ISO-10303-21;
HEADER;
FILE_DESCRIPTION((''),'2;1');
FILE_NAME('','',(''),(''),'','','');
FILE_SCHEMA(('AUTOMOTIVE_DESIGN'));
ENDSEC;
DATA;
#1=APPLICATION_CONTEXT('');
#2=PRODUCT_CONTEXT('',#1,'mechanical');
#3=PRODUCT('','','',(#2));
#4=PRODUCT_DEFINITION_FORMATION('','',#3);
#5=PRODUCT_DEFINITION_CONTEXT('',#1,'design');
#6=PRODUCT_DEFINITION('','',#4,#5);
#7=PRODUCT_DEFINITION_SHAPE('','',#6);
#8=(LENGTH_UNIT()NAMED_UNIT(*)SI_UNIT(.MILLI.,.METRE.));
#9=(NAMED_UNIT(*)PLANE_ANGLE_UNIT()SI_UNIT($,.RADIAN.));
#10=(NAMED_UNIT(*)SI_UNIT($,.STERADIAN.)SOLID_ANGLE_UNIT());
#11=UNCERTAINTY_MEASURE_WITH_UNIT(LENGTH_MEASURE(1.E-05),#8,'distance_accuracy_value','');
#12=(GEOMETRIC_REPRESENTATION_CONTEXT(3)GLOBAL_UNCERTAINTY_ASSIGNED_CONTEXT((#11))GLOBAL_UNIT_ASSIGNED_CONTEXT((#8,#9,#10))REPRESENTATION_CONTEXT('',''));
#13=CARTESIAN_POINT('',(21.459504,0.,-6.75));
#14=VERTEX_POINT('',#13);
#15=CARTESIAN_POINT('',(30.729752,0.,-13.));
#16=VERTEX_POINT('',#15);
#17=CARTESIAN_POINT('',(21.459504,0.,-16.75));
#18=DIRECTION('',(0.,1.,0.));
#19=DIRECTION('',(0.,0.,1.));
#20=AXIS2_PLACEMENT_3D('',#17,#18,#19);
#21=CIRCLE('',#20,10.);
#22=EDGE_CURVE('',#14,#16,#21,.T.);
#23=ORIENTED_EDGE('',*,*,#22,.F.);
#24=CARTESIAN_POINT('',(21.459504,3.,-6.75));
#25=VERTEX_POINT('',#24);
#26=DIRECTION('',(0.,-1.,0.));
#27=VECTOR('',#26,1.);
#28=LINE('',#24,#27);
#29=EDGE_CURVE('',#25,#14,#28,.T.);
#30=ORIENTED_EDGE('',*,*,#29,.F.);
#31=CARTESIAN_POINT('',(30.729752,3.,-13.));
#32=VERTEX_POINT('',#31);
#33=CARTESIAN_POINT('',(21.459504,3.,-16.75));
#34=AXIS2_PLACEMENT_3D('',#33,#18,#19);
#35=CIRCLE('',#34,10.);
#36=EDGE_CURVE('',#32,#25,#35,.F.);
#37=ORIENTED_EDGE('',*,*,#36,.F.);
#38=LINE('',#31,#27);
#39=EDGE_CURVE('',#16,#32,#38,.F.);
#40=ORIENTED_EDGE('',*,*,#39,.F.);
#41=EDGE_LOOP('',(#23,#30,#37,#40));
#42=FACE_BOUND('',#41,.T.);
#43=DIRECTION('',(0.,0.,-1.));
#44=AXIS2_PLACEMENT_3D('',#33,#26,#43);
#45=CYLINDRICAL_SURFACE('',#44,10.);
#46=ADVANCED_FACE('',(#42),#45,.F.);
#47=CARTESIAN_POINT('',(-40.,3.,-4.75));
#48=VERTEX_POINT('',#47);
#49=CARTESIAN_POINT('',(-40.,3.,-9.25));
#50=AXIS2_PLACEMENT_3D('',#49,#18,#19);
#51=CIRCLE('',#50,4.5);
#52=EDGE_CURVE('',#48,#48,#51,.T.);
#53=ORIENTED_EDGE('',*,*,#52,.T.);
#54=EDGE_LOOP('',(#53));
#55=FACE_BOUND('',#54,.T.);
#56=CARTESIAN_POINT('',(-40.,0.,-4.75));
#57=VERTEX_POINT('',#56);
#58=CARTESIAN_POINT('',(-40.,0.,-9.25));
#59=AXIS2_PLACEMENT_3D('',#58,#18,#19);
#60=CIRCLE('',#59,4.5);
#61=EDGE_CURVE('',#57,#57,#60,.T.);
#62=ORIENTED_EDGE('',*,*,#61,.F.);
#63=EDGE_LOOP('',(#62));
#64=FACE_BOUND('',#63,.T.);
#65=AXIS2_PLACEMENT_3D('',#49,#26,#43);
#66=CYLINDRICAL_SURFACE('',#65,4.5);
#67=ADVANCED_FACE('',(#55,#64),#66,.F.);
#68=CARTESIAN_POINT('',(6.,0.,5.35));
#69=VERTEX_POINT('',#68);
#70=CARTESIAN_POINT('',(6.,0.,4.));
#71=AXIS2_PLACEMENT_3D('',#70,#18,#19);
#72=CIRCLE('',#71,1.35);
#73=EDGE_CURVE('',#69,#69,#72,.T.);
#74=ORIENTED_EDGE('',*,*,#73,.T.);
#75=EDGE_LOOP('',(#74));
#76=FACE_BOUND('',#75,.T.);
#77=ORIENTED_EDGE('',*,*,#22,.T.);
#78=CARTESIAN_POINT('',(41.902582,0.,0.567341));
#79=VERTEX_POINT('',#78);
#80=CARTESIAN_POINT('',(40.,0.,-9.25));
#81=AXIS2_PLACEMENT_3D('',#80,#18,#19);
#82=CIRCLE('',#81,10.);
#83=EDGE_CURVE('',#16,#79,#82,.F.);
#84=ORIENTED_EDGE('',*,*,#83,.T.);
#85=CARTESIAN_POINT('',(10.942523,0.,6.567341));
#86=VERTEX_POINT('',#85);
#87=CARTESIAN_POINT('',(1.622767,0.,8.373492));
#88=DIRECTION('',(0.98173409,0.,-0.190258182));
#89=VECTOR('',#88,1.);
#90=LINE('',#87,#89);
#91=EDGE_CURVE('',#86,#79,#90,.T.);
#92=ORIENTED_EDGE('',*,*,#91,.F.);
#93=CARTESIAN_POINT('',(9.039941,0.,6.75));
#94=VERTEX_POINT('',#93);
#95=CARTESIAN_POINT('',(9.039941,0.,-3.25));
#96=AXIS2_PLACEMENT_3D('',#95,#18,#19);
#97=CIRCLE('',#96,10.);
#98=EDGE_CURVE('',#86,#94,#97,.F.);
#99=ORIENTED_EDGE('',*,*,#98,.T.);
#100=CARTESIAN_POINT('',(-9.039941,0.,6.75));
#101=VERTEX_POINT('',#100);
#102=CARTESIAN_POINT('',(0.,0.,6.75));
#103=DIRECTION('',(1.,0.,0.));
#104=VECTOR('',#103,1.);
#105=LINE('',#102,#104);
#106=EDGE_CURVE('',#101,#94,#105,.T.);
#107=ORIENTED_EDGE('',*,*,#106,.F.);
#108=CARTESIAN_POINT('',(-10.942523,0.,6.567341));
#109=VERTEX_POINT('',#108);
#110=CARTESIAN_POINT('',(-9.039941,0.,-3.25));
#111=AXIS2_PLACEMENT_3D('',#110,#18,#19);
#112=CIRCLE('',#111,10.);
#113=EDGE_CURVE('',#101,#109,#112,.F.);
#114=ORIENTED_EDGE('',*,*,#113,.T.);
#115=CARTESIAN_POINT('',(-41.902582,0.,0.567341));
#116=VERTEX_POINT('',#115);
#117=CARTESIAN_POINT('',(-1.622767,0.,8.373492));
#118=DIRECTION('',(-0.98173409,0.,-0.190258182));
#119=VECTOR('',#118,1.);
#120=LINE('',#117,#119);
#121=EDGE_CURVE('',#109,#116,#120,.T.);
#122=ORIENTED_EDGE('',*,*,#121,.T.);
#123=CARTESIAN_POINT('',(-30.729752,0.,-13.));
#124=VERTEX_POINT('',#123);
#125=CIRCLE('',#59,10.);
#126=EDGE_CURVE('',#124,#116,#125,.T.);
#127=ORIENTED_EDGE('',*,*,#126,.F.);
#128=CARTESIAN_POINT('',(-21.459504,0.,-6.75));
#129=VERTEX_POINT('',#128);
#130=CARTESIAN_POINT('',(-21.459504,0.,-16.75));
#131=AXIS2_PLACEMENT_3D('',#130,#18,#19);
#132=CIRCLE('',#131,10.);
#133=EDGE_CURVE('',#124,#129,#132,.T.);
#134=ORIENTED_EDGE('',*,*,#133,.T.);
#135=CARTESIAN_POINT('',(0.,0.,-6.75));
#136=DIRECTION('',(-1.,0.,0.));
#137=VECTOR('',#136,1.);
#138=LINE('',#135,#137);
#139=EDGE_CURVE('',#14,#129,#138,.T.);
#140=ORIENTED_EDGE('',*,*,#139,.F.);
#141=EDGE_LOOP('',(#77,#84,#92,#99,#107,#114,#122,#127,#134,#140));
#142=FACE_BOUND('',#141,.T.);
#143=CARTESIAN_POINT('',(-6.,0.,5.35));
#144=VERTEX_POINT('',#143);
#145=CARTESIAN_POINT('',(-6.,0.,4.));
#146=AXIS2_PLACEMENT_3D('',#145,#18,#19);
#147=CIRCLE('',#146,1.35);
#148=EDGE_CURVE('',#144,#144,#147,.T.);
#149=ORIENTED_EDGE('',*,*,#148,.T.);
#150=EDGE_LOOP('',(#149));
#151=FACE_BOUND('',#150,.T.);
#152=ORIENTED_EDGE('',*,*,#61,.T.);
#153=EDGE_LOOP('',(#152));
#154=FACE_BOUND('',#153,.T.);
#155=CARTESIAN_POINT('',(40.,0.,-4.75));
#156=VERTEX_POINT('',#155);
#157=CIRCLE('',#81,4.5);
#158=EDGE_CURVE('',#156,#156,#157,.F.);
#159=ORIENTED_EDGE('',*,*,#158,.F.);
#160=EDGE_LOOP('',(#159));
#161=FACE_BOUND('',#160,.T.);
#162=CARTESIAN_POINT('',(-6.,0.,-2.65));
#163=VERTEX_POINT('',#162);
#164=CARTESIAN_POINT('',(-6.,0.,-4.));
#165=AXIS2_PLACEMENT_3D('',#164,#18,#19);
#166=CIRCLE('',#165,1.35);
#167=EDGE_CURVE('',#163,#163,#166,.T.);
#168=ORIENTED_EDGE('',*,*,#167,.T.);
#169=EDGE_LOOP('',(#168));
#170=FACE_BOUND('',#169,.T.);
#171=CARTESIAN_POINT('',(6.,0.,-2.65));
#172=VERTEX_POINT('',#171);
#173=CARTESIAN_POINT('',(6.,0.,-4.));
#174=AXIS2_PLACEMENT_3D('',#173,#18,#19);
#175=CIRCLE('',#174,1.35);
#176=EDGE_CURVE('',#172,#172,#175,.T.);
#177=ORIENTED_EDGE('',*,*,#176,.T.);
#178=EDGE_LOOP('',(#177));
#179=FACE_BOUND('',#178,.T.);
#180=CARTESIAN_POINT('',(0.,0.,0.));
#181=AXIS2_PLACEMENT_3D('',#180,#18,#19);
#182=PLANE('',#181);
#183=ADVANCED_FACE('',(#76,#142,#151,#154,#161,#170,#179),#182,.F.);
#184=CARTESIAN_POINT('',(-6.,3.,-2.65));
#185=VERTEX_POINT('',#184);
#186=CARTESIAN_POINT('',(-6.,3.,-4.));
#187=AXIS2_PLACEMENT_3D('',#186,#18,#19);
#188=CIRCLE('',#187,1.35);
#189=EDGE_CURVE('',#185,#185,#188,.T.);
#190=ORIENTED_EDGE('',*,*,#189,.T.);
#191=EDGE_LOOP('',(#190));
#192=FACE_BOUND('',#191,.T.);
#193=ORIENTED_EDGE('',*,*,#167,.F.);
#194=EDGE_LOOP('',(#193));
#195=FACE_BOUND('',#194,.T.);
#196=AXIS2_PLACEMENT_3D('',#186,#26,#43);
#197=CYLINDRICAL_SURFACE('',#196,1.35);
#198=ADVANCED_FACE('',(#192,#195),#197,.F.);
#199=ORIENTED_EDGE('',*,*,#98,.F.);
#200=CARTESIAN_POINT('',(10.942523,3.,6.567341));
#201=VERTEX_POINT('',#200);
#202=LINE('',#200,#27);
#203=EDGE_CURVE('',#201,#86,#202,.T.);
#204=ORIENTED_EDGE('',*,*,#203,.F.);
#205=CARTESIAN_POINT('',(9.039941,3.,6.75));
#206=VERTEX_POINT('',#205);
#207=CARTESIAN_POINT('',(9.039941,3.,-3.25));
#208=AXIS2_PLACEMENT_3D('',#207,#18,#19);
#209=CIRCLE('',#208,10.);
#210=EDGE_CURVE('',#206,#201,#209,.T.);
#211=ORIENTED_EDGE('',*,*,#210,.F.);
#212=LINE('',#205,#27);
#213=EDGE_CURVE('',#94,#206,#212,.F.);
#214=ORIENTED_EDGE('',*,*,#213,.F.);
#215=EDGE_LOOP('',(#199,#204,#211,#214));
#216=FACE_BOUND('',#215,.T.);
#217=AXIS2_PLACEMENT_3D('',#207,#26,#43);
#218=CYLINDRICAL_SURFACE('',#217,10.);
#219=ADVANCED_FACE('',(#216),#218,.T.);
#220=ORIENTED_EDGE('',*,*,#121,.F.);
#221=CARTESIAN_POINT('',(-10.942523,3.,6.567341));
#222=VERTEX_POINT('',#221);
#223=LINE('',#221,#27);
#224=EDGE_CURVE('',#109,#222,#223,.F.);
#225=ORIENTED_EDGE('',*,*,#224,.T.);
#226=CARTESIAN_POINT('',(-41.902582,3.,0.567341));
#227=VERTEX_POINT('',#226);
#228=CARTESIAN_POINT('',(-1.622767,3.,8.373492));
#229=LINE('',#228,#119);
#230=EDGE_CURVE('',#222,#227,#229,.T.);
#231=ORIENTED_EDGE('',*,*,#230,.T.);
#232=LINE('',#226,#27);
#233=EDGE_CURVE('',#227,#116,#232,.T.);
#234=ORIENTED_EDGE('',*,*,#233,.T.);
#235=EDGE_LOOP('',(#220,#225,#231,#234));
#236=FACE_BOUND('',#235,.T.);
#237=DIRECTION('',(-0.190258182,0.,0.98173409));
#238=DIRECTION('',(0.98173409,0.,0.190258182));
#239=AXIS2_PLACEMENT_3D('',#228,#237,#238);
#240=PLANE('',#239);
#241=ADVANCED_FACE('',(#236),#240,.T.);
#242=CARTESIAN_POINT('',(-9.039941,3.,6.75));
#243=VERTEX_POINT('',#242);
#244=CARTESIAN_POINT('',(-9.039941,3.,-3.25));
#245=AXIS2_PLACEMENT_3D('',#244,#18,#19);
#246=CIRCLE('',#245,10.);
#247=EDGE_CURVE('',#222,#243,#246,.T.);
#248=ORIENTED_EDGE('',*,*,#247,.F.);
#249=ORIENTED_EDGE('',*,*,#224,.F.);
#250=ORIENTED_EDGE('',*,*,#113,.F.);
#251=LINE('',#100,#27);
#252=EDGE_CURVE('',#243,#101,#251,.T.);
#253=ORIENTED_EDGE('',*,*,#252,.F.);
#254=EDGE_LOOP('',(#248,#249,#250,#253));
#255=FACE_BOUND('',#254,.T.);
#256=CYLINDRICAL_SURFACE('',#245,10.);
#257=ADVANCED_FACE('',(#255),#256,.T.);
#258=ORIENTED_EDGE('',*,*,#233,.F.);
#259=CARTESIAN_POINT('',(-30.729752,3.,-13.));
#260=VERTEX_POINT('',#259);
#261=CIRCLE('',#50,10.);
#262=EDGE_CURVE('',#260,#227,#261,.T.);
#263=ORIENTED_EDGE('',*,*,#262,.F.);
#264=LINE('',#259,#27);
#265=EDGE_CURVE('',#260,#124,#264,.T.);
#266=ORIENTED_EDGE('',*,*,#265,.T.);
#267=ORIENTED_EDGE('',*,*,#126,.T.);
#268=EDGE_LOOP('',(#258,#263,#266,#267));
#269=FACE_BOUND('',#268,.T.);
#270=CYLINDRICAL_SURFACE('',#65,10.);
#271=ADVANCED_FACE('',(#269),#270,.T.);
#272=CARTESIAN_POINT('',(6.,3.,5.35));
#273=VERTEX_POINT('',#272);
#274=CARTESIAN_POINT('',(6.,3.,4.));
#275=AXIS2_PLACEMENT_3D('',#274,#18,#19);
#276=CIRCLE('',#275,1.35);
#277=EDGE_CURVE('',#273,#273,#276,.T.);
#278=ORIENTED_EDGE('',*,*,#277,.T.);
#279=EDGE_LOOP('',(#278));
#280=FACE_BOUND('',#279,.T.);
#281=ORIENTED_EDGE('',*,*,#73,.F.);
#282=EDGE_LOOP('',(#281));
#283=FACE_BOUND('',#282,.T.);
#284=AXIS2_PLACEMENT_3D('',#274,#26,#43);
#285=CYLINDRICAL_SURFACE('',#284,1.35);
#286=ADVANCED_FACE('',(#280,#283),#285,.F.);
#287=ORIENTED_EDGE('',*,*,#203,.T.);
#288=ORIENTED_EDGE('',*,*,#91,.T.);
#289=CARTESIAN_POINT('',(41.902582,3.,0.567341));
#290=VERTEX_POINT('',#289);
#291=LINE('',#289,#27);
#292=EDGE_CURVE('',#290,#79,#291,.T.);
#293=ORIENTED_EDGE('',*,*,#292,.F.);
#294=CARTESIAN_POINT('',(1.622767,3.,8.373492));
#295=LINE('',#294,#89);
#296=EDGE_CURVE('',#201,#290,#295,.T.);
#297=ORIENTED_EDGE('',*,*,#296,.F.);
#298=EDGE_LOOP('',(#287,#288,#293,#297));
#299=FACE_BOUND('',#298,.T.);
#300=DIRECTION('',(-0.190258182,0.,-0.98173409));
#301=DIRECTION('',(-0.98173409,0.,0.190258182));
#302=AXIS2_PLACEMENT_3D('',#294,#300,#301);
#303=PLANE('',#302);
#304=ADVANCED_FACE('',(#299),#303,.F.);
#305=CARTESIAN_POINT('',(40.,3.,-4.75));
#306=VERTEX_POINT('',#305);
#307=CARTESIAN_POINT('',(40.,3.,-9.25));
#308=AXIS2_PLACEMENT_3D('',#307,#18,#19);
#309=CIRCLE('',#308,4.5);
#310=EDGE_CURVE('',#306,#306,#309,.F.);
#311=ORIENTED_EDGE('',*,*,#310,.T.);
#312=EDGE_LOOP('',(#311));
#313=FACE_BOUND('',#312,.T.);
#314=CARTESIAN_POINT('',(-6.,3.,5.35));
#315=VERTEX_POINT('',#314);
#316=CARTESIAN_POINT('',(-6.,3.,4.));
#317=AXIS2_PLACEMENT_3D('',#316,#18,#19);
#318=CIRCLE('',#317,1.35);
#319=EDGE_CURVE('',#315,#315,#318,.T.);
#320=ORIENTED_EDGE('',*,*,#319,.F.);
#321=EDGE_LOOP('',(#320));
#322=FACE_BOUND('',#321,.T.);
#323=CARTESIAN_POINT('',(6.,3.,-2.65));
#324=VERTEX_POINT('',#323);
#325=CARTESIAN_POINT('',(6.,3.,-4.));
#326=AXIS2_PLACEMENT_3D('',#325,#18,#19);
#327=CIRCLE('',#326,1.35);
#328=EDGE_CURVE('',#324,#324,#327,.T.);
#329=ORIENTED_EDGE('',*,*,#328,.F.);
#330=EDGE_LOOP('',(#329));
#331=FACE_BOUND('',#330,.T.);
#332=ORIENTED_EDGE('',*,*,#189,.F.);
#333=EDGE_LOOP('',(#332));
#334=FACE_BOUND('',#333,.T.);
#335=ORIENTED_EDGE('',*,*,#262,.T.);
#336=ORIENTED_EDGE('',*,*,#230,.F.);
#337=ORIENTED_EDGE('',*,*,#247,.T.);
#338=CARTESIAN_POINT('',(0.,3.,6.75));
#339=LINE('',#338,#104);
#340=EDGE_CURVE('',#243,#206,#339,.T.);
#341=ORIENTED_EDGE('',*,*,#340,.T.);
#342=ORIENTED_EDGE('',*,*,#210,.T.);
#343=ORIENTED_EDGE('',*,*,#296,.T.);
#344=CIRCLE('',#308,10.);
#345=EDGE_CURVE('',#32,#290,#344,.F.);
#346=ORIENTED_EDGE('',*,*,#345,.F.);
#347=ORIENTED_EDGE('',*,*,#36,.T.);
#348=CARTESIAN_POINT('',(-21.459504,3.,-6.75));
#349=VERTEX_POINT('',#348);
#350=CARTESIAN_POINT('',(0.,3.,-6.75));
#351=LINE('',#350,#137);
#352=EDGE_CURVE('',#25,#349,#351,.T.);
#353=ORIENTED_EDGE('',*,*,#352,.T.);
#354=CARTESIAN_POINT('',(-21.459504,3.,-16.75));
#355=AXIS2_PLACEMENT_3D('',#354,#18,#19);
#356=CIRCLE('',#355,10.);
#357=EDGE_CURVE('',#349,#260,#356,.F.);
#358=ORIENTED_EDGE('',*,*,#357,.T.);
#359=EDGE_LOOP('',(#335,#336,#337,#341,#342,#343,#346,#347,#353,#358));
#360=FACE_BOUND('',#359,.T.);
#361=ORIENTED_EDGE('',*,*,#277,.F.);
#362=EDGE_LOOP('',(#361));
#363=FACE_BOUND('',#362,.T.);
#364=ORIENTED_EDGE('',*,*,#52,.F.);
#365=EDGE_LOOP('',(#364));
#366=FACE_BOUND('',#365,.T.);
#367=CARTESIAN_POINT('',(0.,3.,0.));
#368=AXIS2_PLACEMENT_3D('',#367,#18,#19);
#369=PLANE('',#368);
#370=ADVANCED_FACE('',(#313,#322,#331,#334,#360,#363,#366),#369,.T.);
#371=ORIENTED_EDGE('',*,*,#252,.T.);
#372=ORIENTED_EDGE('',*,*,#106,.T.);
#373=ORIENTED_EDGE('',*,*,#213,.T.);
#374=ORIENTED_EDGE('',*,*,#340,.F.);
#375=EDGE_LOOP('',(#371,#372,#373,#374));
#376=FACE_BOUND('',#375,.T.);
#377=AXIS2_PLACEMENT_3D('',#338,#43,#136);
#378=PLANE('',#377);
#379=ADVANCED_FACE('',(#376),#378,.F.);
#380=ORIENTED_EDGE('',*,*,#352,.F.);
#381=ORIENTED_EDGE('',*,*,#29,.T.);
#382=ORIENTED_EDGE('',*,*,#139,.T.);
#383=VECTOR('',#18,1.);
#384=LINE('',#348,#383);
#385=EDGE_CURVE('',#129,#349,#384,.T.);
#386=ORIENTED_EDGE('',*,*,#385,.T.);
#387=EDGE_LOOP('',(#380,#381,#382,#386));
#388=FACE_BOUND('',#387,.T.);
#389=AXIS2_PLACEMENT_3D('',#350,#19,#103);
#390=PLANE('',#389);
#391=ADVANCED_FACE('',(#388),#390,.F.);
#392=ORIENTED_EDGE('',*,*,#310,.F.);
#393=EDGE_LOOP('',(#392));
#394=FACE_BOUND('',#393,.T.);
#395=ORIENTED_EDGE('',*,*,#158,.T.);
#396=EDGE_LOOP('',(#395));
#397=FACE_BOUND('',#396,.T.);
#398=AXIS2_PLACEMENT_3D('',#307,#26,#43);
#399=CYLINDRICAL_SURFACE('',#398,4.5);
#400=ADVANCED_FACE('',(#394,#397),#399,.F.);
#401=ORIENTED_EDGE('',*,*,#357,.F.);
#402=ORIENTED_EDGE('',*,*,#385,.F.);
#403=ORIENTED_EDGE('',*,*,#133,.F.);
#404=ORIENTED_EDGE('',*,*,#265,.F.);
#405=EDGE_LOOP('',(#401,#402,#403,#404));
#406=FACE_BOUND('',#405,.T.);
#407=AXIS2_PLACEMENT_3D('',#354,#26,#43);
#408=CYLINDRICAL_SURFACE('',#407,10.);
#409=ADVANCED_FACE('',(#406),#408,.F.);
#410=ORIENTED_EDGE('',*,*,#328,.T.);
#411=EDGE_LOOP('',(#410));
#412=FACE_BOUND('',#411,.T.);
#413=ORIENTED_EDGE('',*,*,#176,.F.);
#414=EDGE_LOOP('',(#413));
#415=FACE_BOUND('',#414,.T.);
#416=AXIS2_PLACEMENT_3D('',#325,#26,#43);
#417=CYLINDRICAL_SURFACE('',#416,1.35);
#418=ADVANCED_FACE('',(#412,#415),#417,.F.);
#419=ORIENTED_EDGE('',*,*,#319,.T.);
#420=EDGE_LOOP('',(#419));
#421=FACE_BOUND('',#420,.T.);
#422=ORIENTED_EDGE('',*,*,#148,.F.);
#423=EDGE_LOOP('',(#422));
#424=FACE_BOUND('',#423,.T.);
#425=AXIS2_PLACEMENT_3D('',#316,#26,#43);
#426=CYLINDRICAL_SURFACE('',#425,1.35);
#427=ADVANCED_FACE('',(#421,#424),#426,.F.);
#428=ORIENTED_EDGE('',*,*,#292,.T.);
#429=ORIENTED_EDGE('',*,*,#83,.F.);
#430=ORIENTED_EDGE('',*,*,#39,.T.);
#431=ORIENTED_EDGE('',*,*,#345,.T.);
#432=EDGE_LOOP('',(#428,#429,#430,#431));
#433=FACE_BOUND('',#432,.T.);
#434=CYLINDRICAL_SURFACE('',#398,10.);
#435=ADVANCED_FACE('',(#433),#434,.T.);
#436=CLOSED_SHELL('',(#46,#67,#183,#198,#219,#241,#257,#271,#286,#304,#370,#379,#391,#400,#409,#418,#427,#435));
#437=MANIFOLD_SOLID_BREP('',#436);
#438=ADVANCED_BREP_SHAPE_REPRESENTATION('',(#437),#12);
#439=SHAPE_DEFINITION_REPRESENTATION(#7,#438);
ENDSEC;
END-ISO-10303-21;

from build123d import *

# Parameters (mm, degrees)
SKETCH_1_R      = 4.5
SKETCH_1_R_2    = 1.35
EXTRUDE_1_DEPTH = 3
FILLET_1_R      = 10
FILLET_2_R      = 10


with BuildPart() as part:
    # 草图1 → 凸台-拉伸1 (new body)
    with BuildSketch(Plane(origin=(0, 0, 0), x_dir=(1, 0, 0), z_dir=(0, 1, 0))):
        with BuildLine():
            Line((-41.902581816, -0.567340904), (-10, -6.75))
            Line((-10, -6.75), (10, -6.75))
            Line((10, -6.75), (41.902581816, -0.567340904))
            ThreePointArc((41.902581816, -0.567340904), (45.340176894, 17.704733038), (30.317541634, 6.75))
            Line((30.317541634, 6.75), (-30.317541634, 6.75))
            ThreePointArc((-30.317541634, 6.75), (-45.340176894, 17.704733038), (-41.902581816, -0.567340904))
        make_face()
        with Locations(Location((-40, 9.25, 0), (0, 0, 270))):
            Circle(SKETCH_1_R, mode=Mode.SUBTRACT)
        with Locations(Location((-6, -4, 0), (0, 0, 270))):
            Circle(SKETCH_1_R_2, mode=Mode.SUBTRACT)
        with Locations(Location((-6, 4, 0), (0, 0, 270))):
            Circle(SKETCH_1_R_2, mode=Mode.SUBTRACT)
        with Locations(Location((6, -4, 0), (0, 0, 270))):
            Circle(SKETCH_1_R_2, mode=Mode.SUBTRACT)
        with Locations(Location((6, 4, 0), (0, 0, 270))):
            Circle(SKETCH_1_R_2, mode=Mode.SUBTRACT)
        with Locations(Location((40, 9.25, 0), (0, 0, 270))):
            Circle(SKETCH_1_R, mode=Mode.SUBTRACT)
    extrude(amount=EXTRUDE_1_DEPTH)

    # 圆角1
    fillet_1_edges = [part.edges().sort_by_distance(p)[0] for p in [
        (-30.317541634, 1.5, -6.75),
        (30.317541634, 1.5, -6.75),
    ]]
    fillet(fillet_1_edges, radius=FILLET_1_R)

    # 圆角2
    fillet_2_edges = [part.edges().sort_by_distance(p)[0] for p in [
        (10, 1.5, 6.75),
        (-10, 1.5, 6.75),
    ]]
    fillet(fillet_2_edges, radius=FILLET_2_R)


solid = part.part
